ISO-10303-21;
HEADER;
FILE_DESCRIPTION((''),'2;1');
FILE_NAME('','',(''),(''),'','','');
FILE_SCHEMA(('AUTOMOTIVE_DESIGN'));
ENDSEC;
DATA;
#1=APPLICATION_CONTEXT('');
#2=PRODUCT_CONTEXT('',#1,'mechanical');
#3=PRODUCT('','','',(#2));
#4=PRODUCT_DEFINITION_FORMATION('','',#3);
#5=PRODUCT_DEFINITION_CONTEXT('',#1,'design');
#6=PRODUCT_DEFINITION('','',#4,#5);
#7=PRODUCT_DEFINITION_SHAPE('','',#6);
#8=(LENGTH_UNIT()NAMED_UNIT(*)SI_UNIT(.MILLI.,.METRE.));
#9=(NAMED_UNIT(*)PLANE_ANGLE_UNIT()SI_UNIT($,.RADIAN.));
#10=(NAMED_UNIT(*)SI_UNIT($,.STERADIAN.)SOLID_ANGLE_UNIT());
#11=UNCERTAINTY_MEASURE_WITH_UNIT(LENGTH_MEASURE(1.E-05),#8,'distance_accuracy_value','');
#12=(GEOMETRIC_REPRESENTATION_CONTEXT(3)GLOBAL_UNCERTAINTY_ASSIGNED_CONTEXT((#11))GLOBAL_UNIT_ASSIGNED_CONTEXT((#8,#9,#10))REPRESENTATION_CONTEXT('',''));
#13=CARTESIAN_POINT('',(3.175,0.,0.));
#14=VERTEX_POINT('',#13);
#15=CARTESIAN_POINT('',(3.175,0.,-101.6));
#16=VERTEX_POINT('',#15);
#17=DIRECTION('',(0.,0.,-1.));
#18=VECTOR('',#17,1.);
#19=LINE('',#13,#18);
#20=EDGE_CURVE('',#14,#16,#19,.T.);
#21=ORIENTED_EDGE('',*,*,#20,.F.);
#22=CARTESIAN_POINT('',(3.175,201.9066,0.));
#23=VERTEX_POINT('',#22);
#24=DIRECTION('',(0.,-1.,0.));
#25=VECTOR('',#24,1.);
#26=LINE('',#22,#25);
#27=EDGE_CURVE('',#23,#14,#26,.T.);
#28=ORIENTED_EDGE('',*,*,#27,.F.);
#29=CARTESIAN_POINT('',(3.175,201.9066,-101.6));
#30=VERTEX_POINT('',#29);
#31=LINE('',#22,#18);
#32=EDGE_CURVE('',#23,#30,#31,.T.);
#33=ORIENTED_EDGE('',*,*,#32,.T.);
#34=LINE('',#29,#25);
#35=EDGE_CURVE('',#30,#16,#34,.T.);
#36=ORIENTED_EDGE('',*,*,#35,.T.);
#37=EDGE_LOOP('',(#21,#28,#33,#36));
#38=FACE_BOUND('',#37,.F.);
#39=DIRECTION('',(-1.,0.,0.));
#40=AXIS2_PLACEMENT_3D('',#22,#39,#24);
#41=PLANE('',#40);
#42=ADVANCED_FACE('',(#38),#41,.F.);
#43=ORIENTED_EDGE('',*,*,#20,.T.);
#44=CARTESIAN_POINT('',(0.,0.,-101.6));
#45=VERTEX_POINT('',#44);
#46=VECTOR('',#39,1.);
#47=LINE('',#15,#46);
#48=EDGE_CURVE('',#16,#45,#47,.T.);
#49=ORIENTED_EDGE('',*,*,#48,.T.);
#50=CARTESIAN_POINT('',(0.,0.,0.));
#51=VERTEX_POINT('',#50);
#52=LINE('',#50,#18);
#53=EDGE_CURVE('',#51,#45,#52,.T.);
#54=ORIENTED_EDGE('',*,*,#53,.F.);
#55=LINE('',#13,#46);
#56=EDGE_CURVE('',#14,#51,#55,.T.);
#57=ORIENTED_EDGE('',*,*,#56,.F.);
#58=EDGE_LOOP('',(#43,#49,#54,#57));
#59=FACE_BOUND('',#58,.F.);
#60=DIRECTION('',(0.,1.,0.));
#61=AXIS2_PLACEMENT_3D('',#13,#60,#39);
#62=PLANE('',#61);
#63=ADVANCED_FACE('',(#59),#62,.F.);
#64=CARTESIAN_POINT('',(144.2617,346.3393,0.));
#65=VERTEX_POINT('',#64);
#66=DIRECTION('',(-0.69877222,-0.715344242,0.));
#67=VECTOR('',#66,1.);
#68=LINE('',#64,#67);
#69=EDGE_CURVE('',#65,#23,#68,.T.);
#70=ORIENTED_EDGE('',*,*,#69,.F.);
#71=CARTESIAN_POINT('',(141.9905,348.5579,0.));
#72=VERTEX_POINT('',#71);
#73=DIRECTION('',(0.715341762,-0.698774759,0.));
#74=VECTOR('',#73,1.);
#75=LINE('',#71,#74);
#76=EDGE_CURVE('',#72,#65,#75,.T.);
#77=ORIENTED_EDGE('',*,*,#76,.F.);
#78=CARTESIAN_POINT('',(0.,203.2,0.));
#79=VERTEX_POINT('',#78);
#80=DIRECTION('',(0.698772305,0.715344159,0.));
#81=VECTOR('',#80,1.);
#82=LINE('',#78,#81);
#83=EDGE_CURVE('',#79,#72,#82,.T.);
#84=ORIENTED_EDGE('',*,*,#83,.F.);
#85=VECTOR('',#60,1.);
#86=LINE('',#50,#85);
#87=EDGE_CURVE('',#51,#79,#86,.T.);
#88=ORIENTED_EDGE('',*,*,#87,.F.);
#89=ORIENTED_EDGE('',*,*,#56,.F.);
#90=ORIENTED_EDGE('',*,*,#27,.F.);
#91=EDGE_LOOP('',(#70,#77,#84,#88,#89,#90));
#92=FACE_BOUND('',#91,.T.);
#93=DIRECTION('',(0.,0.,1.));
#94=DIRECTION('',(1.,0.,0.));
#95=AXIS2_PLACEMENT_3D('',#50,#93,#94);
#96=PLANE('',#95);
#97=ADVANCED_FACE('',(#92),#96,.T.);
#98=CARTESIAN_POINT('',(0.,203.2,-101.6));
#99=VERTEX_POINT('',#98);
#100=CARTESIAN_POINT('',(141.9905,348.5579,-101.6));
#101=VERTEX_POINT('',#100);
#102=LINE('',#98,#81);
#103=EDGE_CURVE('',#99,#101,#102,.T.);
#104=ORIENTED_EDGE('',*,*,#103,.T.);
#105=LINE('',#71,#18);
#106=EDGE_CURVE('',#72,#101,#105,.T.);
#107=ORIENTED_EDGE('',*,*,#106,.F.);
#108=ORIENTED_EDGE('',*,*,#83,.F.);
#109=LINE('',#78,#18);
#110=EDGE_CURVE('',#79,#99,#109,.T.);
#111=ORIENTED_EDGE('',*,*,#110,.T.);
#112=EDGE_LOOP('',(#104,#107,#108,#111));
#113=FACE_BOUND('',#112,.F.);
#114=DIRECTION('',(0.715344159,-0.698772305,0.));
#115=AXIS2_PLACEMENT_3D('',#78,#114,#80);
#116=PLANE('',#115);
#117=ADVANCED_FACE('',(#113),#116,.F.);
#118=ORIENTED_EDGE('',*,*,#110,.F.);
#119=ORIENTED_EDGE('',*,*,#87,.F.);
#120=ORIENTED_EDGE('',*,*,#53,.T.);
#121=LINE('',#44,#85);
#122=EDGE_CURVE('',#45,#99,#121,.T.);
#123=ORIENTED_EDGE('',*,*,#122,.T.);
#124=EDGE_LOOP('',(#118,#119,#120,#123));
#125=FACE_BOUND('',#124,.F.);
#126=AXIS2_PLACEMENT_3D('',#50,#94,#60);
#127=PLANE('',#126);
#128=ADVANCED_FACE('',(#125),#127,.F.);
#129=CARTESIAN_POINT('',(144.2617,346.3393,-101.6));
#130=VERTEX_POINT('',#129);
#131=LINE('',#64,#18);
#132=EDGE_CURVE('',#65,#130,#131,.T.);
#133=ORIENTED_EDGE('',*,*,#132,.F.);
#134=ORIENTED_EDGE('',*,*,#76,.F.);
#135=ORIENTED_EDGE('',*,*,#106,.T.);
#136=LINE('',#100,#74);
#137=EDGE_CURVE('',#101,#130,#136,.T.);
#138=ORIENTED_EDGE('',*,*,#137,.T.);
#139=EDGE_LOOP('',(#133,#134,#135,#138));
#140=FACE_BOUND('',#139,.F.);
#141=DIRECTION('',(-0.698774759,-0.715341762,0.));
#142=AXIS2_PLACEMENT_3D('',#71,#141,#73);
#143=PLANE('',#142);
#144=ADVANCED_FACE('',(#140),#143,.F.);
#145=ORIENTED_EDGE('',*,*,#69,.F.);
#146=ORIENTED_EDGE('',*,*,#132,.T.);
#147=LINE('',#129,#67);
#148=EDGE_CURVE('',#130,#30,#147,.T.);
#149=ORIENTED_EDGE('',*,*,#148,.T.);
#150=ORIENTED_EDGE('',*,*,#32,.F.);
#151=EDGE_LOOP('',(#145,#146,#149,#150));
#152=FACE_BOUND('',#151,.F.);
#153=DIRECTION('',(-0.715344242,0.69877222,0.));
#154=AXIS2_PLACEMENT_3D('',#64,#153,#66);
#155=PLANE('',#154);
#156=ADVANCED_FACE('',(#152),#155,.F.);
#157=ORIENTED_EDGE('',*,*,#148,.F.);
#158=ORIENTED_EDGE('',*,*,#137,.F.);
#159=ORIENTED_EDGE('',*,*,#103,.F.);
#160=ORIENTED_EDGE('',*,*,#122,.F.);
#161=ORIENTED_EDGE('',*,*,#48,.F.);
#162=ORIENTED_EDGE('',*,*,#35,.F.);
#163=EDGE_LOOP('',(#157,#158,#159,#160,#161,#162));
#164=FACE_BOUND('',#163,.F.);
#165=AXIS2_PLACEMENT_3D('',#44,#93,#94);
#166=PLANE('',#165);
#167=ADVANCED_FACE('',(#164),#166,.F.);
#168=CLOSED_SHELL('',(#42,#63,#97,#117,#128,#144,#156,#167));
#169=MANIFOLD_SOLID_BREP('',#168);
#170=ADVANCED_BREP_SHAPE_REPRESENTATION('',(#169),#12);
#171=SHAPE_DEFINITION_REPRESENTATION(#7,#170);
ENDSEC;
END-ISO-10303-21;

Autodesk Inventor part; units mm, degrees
ref_plane "YZ Plane" through (0, 0, 0) normal (1, 0, 0) x (0, 1, 0)
ref_plane "XZ Plane" through (0, 0, 0) normal (0, 1, 0) x (-1, 0, 0)
ref_plane "XY Plane" through (0, 0, 0) normal (0, 0, 1) x (1, 0, 0)
sketch "Sketch1" plane through (0, 0, 0) normal (0, 0, 1) x (1, 0, 0)
  line L0 (0, 0) -> (0, 203.2)
  line L1 (0, 203.2) -> (141.9905, 348.5579)
  line L2 (141.9905, 348.5579) -> (144.2617, 346.3393)
  line L3 (144.2617, 346.3393) -> (3.175, 201.9066)
  line L4 (3.175, 201.9066) -> (3.175, 0)
  line L5 (3.175, 0) -> (0, 0)
  dimension "d0" = 3.175
  dimension "d1" = 3.175
  dimension "d2" = 203.2
  dimension "d3" = 203.2
extrude "Extrusion1" add sketch "Sketch1" against normal blind 101.6
properties part number "backing"
